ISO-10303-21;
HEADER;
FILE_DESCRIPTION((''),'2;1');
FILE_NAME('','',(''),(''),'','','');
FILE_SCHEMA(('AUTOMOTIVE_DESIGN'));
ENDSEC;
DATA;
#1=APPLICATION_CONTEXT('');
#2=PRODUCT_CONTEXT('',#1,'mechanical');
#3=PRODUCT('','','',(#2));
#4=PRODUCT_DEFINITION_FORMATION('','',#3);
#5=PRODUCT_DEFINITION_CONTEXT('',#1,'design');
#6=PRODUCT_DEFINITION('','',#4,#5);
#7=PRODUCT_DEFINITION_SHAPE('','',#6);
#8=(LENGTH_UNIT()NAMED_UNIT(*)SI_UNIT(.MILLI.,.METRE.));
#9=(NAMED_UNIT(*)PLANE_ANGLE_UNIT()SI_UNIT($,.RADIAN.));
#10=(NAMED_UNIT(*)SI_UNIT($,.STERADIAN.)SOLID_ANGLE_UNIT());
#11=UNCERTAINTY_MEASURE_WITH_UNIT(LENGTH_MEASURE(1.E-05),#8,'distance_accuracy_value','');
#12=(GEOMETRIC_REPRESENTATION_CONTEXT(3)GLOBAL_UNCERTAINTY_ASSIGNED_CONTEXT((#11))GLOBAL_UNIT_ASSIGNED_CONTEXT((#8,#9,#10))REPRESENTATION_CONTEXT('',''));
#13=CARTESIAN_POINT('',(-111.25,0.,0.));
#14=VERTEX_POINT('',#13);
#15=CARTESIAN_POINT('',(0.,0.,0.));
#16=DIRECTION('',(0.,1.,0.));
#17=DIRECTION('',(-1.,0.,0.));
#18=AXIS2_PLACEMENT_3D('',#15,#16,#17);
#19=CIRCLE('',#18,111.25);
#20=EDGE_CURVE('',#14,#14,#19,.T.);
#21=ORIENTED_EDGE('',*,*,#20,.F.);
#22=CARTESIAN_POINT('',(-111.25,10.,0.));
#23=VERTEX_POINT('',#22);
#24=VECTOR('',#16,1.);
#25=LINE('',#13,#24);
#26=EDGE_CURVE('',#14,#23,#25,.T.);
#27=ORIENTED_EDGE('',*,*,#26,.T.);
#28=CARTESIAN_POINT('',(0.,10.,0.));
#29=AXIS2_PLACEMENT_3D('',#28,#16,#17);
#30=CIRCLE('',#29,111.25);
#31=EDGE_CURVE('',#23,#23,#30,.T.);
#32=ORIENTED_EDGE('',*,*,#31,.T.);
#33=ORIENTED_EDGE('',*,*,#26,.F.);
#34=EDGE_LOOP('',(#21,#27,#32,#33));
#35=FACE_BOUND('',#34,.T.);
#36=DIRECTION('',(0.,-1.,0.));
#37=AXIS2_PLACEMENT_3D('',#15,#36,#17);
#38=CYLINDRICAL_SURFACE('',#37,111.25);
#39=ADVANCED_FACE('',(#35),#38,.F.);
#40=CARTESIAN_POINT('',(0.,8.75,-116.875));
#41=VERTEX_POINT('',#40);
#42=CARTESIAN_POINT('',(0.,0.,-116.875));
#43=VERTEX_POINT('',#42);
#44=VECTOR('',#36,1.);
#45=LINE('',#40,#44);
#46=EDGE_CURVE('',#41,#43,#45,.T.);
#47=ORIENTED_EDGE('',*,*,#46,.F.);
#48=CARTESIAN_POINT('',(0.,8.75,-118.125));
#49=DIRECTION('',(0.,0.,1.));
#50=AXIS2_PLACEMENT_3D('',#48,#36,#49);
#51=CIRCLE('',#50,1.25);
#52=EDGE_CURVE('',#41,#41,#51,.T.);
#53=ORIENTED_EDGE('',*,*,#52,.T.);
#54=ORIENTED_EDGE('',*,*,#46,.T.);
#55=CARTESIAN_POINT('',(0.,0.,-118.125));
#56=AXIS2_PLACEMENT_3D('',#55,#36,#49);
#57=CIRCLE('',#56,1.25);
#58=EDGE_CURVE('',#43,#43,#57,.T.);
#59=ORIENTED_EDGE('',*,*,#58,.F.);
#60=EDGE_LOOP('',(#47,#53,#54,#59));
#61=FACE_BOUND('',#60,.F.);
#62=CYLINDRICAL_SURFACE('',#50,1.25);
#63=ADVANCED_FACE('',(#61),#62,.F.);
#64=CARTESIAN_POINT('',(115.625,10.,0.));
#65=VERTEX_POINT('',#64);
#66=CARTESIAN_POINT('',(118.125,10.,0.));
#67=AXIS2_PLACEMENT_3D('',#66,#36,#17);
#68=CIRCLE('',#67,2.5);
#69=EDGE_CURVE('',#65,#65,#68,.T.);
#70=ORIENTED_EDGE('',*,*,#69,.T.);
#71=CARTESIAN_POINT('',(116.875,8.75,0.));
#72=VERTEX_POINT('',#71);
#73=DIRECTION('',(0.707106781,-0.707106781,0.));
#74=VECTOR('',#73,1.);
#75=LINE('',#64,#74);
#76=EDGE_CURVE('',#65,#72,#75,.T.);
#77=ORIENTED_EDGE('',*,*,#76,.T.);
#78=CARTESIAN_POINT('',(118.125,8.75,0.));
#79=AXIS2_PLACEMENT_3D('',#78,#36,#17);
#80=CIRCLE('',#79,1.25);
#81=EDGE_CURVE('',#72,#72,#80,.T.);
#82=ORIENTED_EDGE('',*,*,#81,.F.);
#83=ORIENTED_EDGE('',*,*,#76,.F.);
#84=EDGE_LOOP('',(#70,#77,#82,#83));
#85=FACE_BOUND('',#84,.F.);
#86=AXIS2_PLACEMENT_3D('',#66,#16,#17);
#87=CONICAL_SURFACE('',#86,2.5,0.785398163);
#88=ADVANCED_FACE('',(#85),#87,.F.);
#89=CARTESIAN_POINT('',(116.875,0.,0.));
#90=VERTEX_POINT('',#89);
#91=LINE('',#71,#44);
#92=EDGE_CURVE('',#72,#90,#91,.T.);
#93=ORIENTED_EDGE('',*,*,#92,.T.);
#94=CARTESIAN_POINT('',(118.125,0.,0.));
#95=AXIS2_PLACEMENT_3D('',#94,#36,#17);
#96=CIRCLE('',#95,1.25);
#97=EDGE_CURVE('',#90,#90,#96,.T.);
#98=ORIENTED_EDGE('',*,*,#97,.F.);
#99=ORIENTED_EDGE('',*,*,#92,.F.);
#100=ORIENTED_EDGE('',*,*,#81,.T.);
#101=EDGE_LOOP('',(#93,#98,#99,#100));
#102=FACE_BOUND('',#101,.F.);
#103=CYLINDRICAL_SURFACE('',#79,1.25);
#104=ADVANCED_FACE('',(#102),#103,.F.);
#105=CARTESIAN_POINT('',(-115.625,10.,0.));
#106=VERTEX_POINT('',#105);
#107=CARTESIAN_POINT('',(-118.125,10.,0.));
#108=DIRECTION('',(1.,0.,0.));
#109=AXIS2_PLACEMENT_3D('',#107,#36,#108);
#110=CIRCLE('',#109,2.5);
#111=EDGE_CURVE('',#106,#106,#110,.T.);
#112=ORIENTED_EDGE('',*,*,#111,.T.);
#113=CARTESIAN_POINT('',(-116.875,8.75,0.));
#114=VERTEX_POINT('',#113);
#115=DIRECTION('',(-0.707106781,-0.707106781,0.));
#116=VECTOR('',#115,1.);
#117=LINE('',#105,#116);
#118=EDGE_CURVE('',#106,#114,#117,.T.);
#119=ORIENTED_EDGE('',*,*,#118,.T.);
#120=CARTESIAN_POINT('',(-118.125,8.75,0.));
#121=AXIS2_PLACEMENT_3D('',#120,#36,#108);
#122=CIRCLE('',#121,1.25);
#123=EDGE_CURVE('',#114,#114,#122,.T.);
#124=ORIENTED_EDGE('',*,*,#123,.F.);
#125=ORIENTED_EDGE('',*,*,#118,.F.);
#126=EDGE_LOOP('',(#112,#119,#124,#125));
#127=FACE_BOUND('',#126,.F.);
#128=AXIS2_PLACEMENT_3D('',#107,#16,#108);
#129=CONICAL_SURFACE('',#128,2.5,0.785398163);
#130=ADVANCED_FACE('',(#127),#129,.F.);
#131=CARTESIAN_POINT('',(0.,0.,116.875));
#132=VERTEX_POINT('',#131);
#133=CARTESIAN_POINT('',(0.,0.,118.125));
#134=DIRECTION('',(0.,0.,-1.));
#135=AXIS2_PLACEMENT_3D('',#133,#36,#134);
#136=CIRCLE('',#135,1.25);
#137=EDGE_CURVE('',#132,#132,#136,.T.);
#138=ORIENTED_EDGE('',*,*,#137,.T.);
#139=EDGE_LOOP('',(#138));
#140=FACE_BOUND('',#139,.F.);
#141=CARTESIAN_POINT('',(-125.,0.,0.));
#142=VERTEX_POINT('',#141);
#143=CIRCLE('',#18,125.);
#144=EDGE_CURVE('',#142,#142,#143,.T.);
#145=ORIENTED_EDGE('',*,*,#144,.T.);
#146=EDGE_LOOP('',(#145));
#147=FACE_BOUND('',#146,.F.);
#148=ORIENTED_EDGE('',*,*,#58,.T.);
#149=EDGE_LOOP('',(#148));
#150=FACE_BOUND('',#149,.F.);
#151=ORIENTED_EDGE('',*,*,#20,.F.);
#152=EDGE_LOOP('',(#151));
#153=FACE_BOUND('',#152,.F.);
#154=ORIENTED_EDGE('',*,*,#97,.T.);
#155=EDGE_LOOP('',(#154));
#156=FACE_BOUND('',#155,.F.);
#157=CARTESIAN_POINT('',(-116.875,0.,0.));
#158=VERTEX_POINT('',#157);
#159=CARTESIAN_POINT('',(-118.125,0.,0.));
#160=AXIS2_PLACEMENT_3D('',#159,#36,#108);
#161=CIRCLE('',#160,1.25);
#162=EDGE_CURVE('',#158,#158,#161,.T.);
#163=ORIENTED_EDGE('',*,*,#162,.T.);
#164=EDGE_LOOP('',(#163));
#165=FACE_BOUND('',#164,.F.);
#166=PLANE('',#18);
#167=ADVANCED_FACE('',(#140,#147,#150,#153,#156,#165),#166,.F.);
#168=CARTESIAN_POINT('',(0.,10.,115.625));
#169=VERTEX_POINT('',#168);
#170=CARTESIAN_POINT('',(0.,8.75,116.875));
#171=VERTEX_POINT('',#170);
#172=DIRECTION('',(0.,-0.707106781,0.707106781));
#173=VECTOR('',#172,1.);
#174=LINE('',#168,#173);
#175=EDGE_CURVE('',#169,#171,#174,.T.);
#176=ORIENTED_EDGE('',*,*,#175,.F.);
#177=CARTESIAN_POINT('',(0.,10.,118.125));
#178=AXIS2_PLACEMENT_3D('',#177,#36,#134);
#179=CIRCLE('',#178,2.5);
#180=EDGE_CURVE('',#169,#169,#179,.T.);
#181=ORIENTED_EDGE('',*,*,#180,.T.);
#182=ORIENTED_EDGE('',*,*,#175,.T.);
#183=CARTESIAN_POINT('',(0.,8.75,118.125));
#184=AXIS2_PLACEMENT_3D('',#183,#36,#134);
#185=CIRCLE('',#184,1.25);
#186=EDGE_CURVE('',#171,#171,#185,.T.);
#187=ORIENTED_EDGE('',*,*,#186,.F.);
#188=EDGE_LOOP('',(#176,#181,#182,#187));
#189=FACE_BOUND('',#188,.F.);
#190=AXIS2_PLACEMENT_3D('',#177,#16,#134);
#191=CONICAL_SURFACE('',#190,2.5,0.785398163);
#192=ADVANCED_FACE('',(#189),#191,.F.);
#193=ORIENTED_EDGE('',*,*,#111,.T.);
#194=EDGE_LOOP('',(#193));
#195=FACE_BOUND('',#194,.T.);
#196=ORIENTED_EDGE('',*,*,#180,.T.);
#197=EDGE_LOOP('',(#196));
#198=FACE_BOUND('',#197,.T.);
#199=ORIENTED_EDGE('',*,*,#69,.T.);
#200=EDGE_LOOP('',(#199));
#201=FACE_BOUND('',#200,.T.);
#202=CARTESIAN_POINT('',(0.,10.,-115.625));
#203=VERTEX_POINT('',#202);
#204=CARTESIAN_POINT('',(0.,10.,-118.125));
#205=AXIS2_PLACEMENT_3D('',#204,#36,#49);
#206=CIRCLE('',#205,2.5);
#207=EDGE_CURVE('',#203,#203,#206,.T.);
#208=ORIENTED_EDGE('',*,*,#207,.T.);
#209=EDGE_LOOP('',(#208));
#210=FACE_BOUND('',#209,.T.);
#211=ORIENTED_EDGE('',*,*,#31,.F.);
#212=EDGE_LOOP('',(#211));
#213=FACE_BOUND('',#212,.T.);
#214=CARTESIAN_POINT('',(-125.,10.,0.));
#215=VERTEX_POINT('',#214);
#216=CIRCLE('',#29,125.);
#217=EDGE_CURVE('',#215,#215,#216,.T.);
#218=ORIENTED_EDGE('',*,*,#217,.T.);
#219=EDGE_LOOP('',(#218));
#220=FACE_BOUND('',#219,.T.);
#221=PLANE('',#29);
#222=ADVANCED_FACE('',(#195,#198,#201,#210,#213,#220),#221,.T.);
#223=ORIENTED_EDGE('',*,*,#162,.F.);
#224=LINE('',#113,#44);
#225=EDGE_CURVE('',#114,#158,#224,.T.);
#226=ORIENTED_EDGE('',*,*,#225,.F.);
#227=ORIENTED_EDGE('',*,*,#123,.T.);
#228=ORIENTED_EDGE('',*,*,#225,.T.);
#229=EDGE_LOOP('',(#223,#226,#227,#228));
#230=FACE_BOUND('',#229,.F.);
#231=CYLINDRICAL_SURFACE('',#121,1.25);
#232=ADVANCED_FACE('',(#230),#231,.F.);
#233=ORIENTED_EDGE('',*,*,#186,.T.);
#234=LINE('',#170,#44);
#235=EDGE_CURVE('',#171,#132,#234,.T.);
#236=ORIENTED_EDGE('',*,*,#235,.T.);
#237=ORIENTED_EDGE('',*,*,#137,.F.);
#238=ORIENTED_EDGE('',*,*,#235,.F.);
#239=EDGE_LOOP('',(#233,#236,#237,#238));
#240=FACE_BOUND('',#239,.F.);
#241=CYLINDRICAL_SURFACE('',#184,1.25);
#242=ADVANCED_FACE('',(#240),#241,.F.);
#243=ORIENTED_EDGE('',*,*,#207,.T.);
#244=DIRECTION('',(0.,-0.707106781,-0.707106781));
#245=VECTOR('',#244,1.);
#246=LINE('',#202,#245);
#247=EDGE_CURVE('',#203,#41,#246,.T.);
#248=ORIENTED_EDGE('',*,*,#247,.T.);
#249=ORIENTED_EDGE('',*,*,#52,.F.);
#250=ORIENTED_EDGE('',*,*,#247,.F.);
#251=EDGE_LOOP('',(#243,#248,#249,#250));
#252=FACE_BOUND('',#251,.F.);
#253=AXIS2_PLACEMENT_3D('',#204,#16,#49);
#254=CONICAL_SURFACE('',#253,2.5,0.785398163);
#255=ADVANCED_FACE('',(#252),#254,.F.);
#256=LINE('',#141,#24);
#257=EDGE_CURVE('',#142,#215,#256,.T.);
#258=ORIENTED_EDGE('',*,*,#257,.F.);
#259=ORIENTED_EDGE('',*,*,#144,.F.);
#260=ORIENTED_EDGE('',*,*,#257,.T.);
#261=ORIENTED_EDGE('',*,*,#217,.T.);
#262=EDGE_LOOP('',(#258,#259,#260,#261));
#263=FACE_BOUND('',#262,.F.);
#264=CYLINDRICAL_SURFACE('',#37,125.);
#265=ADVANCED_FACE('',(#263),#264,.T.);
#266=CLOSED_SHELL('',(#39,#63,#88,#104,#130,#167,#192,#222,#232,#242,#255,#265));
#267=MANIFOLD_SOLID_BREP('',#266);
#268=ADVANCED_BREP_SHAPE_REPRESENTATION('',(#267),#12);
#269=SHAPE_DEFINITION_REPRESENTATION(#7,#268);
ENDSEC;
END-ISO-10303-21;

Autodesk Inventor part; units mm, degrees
ref_plane "YZ Plane" through (0, 0, 0) normal (1, 0, 0) x (0, 1, 0)
ref_plane "XZ Plane" through (0, 0, 0) normal (0, 1, 0) x (-1, 0, 0)
ref_plane "XY Plane" through (0, 0, 0) normal (0, 0, 1) x (1, 0, 0)
sketch "Sketch1" plane through (0, 0, 0) normal (0, 1, 0) x (-1, 0, 0)
  circle A0 centre (0, 0) radius 125
  circle A1 centre (0, 0) radius 111.25
  dimension "d0" = 250
  dimension "d1" = 222.5
extrude "Extrusion1" add sketch "Sketch1" along normal blind 10
sketch "Sketch2" plane through (0, 10, 0) normal (0, 1, 0) x (1, 0, 0)
  circle A0 centre (0, 0) radius 118.125
  point P0 (0, 118.125)
  dimension "d4" = 236.25
hole "Hole1" at (0, 10, -118.125) direction (0, -1, 0) diameter 2.5 end through all countersink diameter 5 countersink angle 90
pattern_circular "Circular Pattern1" count 4 over 360 about axis through (0, -10, 0) along (0, 1, 0) of "Hole1"
sketch "Sketch3" plane through (0, 10, 0) normal (0, 1, 0) x (1, 0, 0)
  point P0 (0, 0)
properties part number "OuterBearingTable"
